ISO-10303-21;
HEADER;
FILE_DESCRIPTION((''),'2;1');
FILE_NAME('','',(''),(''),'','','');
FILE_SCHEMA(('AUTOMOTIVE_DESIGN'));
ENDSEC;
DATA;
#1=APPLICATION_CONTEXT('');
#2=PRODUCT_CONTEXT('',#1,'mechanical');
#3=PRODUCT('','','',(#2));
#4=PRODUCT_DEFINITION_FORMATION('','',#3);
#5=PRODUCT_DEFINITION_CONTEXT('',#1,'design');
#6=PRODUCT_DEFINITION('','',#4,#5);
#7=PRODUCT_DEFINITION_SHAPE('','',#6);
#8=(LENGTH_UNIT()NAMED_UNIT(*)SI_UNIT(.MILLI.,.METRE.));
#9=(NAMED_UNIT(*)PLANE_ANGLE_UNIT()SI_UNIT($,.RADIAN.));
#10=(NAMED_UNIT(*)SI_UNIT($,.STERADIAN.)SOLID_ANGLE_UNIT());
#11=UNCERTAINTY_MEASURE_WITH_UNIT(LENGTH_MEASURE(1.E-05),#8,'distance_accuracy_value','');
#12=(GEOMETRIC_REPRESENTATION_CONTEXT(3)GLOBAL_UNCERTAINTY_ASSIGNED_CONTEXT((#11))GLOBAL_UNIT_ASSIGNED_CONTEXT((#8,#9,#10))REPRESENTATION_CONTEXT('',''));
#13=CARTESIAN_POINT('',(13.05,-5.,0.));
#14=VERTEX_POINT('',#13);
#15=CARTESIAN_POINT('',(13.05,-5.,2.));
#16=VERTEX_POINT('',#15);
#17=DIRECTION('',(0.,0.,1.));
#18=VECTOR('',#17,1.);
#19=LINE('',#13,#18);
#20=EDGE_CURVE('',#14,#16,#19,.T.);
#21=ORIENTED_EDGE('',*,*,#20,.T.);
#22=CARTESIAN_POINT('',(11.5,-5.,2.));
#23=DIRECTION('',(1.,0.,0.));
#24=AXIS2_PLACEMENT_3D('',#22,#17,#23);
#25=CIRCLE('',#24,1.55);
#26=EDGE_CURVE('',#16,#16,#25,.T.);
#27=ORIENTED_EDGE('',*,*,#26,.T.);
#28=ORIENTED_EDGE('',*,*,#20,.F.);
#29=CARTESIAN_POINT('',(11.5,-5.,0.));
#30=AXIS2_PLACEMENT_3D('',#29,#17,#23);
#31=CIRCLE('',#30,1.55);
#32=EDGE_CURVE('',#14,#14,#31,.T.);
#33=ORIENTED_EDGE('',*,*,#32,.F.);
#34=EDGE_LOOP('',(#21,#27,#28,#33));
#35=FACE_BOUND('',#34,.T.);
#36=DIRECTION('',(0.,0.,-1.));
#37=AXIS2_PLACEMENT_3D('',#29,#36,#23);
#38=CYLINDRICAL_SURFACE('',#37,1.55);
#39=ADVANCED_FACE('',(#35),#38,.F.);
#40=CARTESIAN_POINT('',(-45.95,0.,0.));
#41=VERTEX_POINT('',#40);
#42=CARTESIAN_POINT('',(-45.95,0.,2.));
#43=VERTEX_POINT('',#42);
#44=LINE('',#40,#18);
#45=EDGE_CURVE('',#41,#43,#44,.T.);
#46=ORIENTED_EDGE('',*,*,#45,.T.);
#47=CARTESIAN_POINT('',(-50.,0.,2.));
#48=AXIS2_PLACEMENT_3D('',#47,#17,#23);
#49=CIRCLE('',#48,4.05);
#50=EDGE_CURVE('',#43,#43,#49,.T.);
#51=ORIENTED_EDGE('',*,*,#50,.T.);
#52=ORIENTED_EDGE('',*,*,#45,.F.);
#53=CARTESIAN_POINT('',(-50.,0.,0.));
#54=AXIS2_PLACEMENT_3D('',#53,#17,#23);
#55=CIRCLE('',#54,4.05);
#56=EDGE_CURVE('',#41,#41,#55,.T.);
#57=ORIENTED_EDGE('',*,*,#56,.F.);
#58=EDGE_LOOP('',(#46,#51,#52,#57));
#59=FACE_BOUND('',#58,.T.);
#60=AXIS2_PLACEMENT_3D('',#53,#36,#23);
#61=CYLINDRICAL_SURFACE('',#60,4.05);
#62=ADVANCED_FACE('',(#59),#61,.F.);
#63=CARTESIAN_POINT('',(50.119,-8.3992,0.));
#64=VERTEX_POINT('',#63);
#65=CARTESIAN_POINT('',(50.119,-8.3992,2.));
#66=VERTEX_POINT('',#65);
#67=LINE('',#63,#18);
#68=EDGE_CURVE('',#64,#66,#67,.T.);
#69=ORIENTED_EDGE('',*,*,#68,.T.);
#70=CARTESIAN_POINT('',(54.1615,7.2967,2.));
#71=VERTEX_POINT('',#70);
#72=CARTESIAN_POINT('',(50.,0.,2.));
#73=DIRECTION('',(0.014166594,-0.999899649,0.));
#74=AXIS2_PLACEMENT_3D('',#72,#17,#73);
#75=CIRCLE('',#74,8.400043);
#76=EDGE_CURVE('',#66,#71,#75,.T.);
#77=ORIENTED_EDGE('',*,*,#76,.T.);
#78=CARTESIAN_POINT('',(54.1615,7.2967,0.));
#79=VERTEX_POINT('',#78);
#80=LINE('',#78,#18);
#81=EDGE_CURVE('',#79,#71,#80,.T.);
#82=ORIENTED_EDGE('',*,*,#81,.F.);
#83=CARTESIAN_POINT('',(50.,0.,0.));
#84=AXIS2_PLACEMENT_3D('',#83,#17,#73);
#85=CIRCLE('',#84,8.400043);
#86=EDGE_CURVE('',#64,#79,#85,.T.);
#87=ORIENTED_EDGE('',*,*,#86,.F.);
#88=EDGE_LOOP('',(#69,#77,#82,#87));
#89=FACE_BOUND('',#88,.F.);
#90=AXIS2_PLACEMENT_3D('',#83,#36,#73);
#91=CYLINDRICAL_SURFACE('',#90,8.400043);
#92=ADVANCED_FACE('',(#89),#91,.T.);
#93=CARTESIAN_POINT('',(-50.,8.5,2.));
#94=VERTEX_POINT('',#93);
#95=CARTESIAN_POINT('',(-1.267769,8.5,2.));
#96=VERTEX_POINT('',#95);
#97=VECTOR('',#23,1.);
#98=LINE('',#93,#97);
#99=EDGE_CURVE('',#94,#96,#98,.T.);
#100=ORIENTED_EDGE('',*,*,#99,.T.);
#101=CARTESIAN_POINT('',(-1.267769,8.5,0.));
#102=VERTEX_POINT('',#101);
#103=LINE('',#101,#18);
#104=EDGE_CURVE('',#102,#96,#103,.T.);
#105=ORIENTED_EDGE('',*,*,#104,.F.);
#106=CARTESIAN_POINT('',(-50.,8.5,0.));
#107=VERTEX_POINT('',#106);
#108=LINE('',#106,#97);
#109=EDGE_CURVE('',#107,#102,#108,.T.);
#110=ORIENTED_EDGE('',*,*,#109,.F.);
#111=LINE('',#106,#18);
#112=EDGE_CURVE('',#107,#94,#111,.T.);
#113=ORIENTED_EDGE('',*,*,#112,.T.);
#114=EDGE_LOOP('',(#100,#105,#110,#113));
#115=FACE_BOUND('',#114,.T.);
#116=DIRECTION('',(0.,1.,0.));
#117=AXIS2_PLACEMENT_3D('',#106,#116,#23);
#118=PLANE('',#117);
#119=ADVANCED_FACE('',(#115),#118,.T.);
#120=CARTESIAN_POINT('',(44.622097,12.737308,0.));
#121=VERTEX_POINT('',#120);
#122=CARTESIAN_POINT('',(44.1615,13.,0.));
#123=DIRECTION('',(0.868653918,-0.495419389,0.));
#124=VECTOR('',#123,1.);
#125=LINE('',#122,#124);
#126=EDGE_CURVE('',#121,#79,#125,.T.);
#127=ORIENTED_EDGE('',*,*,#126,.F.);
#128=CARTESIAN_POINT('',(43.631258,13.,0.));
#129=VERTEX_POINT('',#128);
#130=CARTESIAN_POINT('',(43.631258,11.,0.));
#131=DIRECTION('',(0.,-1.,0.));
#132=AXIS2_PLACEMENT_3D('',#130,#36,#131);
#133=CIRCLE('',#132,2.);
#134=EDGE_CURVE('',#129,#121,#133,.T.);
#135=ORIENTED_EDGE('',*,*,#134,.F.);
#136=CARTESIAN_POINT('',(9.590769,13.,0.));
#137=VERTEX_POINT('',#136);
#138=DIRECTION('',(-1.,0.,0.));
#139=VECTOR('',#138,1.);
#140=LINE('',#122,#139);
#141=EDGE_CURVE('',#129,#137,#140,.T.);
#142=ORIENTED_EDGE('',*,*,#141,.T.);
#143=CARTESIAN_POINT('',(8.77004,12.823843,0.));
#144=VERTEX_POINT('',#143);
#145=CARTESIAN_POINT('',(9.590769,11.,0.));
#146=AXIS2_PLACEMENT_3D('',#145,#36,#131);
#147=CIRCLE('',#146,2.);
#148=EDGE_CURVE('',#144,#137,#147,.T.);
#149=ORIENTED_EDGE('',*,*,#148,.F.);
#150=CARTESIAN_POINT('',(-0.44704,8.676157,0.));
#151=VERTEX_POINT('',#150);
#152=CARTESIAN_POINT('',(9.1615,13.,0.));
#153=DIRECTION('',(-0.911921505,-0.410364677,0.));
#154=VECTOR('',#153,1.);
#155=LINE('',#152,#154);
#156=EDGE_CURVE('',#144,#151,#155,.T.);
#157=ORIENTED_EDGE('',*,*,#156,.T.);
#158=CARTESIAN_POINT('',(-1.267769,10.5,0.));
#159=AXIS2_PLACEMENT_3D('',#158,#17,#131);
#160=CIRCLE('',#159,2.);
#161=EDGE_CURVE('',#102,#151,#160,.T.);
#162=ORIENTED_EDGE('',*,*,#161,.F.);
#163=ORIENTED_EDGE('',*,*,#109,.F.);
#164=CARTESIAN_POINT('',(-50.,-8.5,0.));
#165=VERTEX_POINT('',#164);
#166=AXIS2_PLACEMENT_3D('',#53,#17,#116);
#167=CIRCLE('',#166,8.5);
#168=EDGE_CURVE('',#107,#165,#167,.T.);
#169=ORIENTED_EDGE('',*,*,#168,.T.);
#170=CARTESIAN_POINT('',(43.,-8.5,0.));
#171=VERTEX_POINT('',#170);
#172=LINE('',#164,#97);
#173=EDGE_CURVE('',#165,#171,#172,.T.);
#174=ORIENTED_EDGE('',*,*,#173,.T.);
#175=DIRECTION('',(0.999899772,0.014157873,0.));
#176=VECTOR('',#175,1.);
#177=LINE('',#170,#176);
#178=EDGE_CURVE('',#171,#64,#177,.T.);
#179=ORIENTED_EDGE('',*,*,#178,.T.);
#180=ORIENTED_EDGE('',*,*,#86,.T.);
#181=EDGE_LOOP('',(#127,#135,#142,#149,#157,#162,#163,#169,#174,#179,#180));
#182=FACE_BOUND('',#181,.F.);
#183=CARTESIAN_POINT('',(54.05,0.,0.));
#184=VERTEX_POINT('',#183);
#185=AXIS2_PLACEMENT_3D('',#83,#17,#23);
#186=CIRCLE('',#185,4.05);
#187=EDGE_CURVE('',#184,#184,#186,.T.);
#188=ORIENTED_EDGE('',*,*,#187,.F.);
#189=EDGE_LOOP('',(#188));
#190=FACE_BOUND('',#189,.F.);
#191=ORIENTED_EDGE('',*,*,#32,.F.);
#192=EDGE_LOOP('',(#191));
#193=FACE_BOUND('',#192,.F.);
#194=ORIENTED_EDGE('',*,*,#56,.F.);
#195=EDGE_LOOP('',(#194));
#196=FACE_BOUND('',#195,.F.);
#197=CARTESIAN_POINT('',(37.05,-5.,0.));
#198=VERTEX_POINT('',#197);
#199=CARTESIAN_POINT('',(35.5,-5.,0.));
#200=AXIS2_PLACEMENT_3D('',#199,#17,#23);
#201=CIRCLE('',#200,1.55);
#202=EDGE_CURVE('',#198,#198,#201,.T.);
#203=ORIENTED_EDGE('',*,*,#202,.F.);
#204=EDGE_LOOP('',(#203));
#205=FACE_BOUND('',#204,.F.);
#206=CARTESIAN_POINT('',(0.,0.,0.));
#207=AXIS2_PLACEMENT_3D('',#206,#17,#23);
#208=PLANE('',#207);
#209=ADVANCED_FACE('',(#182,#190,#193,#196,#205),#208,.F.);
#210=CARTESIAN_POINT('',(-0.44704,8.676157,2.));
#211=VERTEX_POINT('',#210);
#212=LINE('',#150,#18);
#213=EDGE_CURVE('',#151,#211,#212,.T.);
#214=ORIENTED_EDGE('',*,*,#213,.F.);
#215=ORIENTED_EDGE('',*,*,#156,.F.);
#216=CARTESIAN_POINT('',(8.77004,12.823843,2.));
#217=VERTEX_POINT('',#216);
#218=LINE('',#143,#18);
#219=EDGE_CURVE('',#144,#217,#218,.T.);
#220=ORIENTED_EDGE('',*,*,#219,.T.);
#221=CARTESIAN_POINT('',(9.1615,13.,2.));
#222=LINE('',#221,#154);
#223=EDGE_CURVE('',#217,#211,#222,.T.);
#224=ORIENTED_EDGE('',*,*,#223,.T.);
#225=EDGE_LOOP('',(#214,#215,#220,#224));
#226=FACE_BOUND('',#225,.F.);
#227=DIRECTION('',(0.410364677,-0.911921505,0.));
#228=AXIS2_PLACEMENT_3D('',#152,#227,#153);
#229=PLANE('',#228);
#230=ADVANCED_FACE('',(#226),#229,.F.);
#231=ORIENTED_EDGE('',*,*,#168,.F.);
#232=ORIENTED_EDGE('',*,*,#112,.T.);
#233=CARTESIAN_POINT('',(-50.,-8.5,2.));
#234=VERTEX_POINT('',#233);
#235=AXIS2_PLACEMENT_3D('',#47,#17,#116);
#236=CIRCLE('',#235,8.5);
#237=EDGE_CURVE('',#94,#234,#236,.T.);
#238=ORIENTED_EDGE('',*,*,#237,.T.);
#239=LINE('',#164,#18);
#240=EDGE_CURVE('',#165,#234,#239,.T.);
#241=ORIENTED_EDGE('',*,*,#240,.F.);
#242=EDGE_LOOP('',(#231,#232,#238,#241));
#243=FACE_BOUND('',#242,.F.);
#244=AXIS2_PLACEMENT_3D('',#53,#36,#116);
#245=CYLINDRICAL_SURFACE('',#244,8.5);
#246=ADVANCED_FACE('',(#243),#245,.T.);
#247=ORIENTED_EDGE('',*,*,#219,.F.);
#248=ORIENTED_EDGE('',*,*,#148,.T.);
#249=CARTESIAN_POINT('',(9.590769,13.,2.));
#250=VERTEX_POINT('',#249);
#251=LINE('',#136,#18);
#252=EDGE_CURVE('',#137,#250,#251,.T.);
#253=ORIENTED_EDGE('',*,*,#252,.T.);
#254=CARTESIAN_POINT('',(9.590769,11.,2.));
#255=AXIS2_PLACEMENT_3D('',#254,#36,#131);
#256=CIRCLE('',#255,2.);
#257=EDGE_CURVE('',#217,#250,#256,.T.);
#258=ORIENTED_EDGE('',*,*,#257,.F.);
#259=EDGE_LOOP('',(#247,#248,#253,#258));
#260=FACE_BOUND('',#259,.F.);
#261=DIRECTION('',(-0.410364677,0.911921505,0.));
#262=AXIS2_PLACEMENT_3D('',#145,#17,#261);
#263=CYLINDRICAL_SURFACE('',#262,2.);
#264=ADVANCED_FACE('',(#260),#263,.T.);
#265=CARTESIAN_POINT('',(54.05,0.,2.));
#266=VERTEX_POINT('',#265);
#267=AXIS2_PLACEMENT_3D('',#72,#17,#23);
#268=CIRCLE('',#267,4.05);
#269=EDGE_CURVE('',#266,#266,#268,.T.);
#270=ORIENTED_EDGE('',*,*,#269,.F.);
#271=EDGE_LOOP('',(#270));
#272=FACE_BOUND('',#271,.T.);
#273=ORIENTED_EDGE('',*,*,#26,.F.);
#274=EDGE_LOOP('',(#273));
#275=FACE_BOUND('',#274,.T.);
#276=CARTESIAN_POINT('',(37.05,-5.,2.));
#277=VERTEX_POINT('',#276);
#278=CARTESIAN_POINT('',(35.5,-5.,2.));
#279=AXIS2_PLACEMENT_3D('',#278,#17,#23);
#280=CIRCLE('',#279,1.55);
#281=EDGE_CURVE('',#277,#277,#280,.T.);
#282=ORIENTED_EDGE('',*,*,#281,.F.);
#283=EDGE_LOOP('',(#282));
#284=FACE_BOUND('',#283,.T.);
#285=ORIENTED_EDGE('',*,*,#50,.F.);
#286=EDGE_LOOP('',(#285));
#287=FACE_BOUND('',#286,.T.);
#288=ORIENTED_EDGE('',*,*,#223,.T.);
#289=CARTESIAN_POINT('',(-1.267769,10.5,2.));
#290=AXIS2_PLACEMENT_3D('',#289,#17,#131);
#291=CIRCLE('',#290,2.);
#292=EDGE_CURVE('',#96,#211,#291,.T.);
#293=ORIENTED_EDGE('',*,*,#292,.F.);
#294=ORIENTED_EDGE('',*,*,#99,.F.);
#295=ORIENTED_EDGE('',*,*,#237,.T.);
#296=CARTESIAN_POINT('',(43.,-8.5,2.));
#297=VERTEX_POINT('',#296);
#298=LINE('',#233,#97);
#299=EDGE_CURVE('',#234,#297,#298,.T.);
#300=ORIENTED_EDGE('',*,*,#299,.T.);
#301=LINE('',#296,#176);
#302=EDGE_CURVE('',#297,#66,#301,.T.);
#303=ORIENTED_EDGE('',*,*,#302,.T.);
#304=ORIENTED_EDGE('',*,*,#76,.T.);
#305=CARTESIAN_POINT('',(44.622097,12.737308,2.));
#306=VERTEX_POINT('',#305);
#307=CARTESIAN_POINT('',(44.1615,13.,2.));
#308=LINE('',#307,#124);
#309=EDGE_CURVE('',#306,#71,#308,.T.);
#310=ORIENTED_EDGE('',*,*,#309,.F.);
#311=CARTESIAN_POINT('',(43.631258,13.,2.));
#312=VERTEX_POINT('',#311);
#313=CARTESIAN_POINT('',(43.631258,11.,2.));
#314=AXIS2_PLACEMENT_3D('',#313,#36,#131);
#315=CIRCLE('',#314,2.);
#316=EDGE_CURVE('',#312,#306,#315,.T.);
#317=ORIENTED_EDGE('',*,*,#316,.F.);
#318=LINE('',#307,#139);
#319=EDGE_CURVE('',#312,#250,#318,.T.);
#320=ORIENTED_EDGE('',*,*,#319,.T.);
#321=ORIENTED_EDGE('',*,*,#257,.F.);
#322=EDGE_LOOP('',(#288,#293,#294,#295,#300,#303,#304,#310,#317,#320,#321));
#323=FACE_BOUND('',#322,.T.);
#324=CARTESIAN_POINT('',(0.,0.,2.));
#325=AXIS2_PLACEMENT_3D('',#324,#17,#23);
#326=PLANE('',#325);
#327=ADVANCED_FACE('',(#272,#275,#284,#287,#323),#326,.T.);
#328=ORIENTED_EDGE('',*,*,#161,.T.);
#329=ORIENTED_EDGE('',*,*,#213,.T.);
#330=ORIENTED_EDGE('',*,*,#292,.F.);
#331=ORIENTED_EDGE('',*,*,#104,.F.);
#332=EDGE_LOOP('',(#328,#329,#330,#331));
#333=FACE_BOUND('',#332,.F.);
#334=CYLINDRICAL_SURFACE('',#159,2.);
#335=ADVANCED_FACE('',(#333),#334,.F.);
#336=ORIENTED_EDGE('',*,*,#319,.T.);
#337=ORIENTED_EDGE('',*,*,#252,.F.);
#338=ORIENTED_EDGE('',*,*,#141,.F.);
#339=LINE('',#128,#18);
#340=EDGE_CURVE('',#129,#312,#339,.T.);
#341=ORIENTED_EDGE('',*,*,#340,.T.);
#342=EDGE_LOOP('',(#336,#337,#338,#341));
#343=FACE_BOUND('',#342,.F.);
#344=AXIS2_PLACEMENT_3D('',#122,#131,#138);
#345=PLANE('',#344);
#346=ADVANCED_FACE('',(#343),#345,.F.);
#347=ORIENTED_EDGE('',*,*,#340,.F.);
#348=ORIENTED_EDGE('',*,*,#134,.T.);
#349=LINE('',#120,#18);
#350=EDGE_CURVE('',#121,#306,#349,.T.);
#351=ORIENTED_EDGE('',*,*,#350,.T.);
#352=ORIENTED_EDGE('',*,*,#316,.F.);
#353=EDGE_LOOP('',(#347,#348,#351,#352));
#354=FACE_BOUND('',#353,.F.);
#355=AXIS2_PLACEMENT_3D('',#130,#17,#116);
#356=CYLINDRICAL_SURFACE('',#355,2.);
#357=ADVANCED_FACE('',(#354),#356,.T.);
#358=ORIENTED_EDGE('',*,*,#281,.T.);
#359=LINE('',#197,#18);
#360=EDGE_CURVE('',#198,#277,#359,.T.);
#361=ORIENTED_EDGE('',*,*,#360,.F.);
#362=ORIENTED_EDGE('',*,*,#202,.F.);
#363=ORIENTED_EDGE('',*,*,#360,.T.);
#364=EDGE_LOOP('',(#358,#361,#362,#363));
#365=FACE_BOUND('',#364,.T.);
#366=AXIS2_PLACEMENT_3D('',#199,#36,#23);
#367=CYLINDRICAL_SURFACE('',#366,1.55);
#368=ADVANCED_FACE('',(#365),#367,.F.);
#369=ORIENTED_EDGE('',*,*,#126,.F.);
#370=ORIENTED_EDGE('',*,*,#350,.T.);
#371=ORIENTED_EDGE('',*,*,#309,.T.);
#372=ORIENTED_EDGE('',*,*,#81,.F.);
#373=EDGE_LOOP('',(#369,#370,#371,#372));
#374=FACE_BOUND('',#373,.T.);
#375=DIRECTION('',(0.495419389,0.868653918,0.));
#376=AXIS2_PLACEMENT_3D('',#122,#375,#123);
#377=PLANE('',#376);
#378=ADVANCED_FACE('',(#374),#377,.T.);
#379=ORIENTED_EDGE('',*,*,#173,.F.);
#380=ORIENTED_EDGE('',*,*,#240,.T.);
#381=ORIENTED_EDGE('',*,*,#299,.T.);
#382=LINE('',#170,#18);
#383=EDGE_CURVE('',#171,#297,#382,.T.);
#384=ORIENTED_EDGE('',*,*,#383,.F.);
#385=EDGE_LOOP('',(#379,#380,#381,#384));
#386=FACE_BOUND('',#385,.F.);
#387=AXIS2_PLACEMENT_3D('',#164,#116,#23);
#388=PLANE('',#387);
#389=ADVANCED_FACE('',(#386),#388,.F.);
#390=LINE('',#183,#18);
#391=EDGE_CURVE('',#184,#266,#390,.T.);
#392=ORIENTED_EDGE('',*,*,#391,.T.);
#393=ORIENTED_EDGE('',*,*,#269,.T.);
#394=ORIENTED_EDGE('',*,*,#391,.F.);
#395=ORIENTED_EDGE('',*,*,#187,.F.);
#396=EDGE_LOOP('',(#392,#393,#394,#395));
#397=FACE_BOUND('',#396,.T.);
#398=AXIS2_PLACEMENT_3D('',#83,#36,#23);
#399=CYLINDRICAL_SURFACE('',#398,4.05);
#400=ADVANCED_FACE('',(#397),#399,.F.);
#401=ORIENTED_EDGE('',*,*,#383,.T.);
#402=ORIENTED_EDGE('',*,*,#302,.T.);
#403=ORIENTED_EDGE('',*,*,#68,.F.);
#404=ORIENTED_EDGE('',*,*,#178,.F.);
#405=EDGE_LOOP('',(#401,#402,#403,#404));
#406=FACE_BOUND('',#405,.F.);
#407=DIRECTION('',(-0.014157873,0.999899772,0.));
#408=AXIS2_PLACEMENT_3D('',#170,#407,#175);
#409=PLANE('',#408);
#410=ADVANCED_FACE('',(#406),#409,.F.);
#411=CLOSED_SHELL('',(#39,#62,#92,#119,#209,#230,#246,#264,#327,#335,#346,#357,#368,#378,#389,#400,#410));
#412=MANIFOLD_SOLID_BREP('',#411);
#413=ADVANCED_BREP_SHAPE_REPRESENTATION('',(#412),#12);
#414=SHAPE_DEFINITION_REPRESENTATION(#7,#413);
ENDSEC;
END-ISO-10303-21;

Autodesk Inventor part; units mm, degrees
ref_plane "YZ Plane" through (0, 0, 0) normal (1, 0, 0) x (0, 1, 0)
ref_plane "XZ Plane" through (0, 0, 0) normal (0, 1, 0) x (-1, 0, 0)
ref_plane "XY Plane" through (0, 0, 0) normal (0, 0, 1) x (1, 0, 0)
sketch "スケッチ1" plane through (0, 0, 0) normal (0, 0, 1) x (1, 0, 0)
  line L0 (-50, 0) -> (50, 0) construction
  circle A0 centre (-50, 0) radius 4.05
  circle A1 centre (50, 0) radius 4.05
  line L1 (-50, 8.5) -> (43, 8.5)
  line L2 (-50, -8.5) -> (43, -8.5)
  arc A2 (-50, 8.5) -> (-50, -8.5) centre (-50, 0) ccw
  line L3 (43, -8.5) -> (50.119, -8.3992)
  line L4 (43, 8.5) -> (50.119, 8.3992)
  arc A3 (50.119, -8.3992) -> (50.119, 8.3992) centre (50, 0) ccw
  line L5 (9, -7.5) -> (38, -7.5) construction
  line L6 (38, -7.5) -> (38, -2.5) construction
  line L7 (38, -2.5) -> (9, -2.5) construction
  line L8 (9, -2.5) -> (9, -7.5) construction
  line L9 (9, -5) -> (38, -5) construction
  circle A4 centre (11.5, -5) radius 1.55
  line L10 (23.5, -5) -> (23.5, -2.5) construction
  line L11 (44.1615, 13) -> (9.1615, 13)
  line L12 (9.1615, 13) -> (-0.8385, 8.5)
  line L13 (44.1615, 13) -> (54.1615, 7.2967)
  circle A5 centre (35.5, -5) radius 1.55
  point P0 (0, 0)
  point P1 (0, 0)
  point P2 (52.0517, 8.5)
  dimension "d0" = 100
  dimension "d1" = 8.1
  dimension "d2" = 8.5
  dimension "d8" = 8.1
  dimension "d9" = 7
  dimension "d10" = 8.4
  dimension "d12" = 5
  dimension "d13" = 29
  dimension "d15" = 2.5
  dimension "d17" = 13
  dimension "d19" = 10
  dimension "d20" = 35
  dimension "d25" = 12
  dimension "d26" = 10
  dimension "d34" = 1
  dimension "d35" = 3.1
extrude "押し出し1" add sketch "スケッチ1" along normal blind 2
fillet "フィレット1" radius 2 3 edges at (-0.8385, 8.5, 1) (9.1615, 13, 1) (44.1615, 13, 1)
equation "\"d8\" = d1"
equation "\"d19\" = d18"
equation "\"d26\" = d19"
equation "\"d18\" = 10"
properties part number "リンク_メインフレーム_6_3" material "GFRP"
